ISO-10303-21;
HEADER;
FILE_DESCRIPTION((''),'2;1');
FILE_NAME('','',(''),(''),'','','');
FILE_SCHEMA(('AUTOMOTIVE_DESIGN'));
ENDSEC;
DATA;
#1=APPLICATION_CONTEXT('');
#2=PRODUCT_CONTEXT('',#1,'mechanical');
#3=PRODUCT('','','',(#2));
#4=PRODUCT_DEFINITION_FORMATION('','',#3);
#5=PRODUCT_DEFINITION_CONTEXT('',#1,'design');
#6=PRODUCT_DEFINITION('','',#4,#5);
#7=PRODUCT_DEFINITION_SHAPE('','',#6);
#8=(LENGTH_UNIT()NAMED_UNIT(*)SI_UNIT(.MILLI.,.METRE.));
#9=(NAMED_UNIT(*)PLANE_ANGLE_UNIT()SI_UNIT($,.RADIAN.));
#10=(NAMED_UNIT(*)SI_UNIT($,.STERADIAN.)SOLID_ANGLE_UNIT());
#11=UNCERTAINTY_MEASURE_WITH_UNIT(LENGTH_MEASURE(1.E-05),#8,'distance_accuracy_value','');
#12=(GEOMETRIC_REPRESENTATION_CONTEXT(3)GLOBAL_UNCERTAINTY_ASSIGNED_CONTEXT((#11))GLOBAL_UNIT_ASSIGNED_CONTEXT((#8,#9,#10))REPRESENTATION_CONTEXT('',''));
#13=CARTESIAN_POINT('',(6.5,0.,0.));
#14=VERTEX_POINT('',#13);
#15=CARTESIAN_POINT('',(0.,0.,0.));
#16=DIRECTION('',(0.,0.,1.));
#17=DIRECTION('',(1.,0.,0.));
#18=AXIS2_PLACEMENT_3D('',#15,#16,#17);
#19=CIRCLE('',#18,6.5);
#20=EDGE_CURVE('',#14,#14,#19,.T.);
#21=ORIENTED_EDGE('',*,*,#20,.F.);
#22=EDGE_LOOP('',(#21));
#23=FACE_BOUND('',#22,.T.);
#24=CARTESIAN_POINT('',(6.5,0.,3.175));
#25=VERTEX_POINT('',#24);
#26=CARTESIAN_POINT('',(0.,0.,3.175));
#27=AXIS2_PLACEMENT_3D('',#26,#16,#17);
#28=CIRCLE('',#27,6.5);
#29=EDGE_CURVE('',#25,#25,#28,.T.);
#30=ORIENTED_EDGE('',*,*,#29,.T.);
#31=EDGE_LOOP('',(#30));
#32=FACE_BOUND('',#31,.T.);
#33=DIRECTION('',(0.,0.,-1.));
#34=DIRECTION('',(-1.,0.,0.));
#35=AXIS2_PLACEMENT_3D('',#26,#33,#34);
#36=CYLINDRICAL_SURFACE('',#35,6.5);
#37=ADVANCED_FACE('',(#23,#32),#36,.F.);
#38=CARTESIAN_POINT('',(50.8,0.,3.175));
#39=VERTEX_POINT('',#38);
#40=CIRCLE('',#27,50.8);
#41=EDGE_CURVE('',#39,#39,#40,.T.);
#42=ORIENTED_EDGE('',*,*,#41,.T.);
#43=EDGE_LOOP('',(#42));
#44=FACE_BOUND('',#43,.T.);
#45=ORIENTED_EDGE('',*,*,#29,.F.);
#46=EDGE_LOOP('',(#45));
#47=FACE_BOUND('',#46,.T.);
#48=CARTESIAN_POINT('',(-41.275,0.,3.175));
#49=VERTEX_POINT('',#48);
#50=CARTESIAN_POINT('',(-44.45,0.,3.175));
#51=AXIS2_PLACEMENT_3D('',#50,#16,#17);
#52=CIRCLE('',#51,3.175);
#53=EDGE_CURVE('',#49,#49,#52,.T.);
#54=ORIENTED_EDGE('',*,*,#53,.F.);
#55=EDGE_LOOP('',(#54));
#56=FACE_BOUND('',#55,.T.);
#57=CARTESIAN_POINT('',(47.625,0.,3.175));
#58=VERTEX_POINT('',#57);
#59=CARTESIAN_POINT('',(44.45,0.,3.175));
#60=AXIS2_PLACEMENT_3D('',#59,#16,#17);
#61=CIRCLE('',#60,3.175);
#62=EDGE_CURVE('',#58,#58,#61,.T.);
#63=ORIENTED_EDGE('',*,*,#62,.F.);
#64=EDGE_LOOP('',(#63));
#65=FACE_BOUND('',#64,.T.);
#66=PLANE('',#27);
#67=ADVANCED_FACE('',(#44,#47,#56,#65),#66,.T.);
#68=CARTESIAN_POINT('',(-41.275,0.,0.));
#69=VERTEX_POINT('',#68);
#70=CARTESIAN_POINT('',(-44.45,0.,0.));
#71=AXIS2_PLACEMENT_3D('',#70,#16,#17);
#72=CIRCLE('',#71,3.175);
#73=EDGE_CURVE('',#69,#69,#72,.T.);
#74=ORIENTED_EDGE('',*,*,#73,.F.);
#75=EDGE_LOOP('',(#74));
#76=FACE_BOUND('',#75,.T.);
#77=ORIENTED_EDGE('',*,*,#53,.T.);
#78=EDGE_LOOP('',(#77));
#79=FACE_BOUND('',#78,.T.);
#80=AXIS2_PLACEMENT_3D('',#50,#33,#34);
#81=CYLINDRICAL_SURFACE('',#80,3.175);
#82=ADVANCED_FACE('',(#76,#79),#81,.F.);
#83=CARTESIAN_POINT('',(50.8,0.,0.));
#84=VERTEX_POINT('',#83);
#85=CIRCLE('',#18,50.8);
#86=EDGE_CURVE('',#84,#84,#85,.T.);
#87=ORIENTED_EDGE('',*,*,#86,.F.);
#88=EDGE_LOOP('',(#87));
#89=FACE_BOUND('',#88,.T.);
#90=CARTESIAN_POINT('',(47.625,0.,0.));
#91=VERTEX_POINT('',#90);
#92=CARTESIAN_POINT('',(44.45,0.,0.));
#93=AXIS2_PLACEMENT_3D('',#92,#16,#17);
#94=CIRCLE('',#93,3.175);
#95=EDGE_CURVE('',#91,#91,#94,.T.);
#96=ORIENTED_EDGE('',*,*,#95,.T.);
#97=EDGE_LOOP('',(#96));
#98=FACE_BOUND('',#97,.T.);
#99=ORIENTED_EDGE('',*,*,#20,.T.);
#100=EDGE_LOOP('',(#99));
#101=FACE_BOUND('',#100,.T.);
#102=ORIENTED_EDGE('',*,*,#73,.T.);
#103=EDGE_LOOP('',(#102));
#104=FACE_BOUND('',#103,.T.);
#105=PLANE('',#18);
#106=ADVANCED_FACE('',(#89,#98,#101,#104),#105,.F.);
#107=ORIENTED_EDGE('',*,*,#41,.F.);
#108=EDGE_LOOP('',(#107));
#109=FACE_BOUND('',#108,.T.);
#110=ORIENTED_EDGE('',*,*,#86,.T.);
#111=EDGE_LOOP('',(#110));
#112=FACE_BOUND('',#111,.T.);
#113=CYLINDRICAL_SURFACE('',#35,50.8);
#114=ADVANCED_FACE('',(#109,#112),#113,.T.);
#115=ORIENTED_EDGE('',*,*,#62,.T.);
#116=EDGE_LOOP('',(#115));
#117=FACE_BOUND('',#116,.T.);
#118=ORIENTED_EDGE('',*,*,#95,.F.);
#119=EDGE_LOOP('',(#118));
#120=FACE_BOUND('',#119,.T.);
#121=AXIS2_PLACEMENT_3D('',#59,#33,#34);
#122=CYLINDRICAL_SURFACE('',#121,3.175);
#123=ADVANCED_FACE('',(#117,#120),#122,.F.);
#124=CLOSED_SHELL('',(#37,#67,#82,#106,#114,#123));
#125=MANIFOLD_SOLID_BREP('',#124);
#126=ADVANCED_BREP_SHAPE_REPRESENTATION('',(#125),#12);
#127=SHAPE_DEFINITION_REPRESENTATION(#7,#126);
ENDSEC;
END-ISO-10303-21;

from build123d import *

# Parameters (mm, degrees)
SKETCH1_R           = 50.8
SKETCH1_R_2         = 3.175
SKETCH1_R_3         = 6.5
BOSS_EXTRUDE1_DEPTH = 3.175


with BuildPart() as part:
    # Sketch1 → Boss-Extrude1 (new body)
    with BuildSketch(Plane.XY):
        Circle(SKETCH1_R)
        with Locations((44.45, 0)):
            Circle(SKETCH1_R_2, mode=Mode.SUBTRACT)
        with Locations((-44.45, 0)):
            Circle(SKETCH1_R_2, mode=Mode.SUBTRACT)
        Circle(SKETCH1_R_3, mode=Mode.SUBTRACT)
    extrude(amount=BOSS_EXTRUDE1_DEPTH)


solid = part.part
